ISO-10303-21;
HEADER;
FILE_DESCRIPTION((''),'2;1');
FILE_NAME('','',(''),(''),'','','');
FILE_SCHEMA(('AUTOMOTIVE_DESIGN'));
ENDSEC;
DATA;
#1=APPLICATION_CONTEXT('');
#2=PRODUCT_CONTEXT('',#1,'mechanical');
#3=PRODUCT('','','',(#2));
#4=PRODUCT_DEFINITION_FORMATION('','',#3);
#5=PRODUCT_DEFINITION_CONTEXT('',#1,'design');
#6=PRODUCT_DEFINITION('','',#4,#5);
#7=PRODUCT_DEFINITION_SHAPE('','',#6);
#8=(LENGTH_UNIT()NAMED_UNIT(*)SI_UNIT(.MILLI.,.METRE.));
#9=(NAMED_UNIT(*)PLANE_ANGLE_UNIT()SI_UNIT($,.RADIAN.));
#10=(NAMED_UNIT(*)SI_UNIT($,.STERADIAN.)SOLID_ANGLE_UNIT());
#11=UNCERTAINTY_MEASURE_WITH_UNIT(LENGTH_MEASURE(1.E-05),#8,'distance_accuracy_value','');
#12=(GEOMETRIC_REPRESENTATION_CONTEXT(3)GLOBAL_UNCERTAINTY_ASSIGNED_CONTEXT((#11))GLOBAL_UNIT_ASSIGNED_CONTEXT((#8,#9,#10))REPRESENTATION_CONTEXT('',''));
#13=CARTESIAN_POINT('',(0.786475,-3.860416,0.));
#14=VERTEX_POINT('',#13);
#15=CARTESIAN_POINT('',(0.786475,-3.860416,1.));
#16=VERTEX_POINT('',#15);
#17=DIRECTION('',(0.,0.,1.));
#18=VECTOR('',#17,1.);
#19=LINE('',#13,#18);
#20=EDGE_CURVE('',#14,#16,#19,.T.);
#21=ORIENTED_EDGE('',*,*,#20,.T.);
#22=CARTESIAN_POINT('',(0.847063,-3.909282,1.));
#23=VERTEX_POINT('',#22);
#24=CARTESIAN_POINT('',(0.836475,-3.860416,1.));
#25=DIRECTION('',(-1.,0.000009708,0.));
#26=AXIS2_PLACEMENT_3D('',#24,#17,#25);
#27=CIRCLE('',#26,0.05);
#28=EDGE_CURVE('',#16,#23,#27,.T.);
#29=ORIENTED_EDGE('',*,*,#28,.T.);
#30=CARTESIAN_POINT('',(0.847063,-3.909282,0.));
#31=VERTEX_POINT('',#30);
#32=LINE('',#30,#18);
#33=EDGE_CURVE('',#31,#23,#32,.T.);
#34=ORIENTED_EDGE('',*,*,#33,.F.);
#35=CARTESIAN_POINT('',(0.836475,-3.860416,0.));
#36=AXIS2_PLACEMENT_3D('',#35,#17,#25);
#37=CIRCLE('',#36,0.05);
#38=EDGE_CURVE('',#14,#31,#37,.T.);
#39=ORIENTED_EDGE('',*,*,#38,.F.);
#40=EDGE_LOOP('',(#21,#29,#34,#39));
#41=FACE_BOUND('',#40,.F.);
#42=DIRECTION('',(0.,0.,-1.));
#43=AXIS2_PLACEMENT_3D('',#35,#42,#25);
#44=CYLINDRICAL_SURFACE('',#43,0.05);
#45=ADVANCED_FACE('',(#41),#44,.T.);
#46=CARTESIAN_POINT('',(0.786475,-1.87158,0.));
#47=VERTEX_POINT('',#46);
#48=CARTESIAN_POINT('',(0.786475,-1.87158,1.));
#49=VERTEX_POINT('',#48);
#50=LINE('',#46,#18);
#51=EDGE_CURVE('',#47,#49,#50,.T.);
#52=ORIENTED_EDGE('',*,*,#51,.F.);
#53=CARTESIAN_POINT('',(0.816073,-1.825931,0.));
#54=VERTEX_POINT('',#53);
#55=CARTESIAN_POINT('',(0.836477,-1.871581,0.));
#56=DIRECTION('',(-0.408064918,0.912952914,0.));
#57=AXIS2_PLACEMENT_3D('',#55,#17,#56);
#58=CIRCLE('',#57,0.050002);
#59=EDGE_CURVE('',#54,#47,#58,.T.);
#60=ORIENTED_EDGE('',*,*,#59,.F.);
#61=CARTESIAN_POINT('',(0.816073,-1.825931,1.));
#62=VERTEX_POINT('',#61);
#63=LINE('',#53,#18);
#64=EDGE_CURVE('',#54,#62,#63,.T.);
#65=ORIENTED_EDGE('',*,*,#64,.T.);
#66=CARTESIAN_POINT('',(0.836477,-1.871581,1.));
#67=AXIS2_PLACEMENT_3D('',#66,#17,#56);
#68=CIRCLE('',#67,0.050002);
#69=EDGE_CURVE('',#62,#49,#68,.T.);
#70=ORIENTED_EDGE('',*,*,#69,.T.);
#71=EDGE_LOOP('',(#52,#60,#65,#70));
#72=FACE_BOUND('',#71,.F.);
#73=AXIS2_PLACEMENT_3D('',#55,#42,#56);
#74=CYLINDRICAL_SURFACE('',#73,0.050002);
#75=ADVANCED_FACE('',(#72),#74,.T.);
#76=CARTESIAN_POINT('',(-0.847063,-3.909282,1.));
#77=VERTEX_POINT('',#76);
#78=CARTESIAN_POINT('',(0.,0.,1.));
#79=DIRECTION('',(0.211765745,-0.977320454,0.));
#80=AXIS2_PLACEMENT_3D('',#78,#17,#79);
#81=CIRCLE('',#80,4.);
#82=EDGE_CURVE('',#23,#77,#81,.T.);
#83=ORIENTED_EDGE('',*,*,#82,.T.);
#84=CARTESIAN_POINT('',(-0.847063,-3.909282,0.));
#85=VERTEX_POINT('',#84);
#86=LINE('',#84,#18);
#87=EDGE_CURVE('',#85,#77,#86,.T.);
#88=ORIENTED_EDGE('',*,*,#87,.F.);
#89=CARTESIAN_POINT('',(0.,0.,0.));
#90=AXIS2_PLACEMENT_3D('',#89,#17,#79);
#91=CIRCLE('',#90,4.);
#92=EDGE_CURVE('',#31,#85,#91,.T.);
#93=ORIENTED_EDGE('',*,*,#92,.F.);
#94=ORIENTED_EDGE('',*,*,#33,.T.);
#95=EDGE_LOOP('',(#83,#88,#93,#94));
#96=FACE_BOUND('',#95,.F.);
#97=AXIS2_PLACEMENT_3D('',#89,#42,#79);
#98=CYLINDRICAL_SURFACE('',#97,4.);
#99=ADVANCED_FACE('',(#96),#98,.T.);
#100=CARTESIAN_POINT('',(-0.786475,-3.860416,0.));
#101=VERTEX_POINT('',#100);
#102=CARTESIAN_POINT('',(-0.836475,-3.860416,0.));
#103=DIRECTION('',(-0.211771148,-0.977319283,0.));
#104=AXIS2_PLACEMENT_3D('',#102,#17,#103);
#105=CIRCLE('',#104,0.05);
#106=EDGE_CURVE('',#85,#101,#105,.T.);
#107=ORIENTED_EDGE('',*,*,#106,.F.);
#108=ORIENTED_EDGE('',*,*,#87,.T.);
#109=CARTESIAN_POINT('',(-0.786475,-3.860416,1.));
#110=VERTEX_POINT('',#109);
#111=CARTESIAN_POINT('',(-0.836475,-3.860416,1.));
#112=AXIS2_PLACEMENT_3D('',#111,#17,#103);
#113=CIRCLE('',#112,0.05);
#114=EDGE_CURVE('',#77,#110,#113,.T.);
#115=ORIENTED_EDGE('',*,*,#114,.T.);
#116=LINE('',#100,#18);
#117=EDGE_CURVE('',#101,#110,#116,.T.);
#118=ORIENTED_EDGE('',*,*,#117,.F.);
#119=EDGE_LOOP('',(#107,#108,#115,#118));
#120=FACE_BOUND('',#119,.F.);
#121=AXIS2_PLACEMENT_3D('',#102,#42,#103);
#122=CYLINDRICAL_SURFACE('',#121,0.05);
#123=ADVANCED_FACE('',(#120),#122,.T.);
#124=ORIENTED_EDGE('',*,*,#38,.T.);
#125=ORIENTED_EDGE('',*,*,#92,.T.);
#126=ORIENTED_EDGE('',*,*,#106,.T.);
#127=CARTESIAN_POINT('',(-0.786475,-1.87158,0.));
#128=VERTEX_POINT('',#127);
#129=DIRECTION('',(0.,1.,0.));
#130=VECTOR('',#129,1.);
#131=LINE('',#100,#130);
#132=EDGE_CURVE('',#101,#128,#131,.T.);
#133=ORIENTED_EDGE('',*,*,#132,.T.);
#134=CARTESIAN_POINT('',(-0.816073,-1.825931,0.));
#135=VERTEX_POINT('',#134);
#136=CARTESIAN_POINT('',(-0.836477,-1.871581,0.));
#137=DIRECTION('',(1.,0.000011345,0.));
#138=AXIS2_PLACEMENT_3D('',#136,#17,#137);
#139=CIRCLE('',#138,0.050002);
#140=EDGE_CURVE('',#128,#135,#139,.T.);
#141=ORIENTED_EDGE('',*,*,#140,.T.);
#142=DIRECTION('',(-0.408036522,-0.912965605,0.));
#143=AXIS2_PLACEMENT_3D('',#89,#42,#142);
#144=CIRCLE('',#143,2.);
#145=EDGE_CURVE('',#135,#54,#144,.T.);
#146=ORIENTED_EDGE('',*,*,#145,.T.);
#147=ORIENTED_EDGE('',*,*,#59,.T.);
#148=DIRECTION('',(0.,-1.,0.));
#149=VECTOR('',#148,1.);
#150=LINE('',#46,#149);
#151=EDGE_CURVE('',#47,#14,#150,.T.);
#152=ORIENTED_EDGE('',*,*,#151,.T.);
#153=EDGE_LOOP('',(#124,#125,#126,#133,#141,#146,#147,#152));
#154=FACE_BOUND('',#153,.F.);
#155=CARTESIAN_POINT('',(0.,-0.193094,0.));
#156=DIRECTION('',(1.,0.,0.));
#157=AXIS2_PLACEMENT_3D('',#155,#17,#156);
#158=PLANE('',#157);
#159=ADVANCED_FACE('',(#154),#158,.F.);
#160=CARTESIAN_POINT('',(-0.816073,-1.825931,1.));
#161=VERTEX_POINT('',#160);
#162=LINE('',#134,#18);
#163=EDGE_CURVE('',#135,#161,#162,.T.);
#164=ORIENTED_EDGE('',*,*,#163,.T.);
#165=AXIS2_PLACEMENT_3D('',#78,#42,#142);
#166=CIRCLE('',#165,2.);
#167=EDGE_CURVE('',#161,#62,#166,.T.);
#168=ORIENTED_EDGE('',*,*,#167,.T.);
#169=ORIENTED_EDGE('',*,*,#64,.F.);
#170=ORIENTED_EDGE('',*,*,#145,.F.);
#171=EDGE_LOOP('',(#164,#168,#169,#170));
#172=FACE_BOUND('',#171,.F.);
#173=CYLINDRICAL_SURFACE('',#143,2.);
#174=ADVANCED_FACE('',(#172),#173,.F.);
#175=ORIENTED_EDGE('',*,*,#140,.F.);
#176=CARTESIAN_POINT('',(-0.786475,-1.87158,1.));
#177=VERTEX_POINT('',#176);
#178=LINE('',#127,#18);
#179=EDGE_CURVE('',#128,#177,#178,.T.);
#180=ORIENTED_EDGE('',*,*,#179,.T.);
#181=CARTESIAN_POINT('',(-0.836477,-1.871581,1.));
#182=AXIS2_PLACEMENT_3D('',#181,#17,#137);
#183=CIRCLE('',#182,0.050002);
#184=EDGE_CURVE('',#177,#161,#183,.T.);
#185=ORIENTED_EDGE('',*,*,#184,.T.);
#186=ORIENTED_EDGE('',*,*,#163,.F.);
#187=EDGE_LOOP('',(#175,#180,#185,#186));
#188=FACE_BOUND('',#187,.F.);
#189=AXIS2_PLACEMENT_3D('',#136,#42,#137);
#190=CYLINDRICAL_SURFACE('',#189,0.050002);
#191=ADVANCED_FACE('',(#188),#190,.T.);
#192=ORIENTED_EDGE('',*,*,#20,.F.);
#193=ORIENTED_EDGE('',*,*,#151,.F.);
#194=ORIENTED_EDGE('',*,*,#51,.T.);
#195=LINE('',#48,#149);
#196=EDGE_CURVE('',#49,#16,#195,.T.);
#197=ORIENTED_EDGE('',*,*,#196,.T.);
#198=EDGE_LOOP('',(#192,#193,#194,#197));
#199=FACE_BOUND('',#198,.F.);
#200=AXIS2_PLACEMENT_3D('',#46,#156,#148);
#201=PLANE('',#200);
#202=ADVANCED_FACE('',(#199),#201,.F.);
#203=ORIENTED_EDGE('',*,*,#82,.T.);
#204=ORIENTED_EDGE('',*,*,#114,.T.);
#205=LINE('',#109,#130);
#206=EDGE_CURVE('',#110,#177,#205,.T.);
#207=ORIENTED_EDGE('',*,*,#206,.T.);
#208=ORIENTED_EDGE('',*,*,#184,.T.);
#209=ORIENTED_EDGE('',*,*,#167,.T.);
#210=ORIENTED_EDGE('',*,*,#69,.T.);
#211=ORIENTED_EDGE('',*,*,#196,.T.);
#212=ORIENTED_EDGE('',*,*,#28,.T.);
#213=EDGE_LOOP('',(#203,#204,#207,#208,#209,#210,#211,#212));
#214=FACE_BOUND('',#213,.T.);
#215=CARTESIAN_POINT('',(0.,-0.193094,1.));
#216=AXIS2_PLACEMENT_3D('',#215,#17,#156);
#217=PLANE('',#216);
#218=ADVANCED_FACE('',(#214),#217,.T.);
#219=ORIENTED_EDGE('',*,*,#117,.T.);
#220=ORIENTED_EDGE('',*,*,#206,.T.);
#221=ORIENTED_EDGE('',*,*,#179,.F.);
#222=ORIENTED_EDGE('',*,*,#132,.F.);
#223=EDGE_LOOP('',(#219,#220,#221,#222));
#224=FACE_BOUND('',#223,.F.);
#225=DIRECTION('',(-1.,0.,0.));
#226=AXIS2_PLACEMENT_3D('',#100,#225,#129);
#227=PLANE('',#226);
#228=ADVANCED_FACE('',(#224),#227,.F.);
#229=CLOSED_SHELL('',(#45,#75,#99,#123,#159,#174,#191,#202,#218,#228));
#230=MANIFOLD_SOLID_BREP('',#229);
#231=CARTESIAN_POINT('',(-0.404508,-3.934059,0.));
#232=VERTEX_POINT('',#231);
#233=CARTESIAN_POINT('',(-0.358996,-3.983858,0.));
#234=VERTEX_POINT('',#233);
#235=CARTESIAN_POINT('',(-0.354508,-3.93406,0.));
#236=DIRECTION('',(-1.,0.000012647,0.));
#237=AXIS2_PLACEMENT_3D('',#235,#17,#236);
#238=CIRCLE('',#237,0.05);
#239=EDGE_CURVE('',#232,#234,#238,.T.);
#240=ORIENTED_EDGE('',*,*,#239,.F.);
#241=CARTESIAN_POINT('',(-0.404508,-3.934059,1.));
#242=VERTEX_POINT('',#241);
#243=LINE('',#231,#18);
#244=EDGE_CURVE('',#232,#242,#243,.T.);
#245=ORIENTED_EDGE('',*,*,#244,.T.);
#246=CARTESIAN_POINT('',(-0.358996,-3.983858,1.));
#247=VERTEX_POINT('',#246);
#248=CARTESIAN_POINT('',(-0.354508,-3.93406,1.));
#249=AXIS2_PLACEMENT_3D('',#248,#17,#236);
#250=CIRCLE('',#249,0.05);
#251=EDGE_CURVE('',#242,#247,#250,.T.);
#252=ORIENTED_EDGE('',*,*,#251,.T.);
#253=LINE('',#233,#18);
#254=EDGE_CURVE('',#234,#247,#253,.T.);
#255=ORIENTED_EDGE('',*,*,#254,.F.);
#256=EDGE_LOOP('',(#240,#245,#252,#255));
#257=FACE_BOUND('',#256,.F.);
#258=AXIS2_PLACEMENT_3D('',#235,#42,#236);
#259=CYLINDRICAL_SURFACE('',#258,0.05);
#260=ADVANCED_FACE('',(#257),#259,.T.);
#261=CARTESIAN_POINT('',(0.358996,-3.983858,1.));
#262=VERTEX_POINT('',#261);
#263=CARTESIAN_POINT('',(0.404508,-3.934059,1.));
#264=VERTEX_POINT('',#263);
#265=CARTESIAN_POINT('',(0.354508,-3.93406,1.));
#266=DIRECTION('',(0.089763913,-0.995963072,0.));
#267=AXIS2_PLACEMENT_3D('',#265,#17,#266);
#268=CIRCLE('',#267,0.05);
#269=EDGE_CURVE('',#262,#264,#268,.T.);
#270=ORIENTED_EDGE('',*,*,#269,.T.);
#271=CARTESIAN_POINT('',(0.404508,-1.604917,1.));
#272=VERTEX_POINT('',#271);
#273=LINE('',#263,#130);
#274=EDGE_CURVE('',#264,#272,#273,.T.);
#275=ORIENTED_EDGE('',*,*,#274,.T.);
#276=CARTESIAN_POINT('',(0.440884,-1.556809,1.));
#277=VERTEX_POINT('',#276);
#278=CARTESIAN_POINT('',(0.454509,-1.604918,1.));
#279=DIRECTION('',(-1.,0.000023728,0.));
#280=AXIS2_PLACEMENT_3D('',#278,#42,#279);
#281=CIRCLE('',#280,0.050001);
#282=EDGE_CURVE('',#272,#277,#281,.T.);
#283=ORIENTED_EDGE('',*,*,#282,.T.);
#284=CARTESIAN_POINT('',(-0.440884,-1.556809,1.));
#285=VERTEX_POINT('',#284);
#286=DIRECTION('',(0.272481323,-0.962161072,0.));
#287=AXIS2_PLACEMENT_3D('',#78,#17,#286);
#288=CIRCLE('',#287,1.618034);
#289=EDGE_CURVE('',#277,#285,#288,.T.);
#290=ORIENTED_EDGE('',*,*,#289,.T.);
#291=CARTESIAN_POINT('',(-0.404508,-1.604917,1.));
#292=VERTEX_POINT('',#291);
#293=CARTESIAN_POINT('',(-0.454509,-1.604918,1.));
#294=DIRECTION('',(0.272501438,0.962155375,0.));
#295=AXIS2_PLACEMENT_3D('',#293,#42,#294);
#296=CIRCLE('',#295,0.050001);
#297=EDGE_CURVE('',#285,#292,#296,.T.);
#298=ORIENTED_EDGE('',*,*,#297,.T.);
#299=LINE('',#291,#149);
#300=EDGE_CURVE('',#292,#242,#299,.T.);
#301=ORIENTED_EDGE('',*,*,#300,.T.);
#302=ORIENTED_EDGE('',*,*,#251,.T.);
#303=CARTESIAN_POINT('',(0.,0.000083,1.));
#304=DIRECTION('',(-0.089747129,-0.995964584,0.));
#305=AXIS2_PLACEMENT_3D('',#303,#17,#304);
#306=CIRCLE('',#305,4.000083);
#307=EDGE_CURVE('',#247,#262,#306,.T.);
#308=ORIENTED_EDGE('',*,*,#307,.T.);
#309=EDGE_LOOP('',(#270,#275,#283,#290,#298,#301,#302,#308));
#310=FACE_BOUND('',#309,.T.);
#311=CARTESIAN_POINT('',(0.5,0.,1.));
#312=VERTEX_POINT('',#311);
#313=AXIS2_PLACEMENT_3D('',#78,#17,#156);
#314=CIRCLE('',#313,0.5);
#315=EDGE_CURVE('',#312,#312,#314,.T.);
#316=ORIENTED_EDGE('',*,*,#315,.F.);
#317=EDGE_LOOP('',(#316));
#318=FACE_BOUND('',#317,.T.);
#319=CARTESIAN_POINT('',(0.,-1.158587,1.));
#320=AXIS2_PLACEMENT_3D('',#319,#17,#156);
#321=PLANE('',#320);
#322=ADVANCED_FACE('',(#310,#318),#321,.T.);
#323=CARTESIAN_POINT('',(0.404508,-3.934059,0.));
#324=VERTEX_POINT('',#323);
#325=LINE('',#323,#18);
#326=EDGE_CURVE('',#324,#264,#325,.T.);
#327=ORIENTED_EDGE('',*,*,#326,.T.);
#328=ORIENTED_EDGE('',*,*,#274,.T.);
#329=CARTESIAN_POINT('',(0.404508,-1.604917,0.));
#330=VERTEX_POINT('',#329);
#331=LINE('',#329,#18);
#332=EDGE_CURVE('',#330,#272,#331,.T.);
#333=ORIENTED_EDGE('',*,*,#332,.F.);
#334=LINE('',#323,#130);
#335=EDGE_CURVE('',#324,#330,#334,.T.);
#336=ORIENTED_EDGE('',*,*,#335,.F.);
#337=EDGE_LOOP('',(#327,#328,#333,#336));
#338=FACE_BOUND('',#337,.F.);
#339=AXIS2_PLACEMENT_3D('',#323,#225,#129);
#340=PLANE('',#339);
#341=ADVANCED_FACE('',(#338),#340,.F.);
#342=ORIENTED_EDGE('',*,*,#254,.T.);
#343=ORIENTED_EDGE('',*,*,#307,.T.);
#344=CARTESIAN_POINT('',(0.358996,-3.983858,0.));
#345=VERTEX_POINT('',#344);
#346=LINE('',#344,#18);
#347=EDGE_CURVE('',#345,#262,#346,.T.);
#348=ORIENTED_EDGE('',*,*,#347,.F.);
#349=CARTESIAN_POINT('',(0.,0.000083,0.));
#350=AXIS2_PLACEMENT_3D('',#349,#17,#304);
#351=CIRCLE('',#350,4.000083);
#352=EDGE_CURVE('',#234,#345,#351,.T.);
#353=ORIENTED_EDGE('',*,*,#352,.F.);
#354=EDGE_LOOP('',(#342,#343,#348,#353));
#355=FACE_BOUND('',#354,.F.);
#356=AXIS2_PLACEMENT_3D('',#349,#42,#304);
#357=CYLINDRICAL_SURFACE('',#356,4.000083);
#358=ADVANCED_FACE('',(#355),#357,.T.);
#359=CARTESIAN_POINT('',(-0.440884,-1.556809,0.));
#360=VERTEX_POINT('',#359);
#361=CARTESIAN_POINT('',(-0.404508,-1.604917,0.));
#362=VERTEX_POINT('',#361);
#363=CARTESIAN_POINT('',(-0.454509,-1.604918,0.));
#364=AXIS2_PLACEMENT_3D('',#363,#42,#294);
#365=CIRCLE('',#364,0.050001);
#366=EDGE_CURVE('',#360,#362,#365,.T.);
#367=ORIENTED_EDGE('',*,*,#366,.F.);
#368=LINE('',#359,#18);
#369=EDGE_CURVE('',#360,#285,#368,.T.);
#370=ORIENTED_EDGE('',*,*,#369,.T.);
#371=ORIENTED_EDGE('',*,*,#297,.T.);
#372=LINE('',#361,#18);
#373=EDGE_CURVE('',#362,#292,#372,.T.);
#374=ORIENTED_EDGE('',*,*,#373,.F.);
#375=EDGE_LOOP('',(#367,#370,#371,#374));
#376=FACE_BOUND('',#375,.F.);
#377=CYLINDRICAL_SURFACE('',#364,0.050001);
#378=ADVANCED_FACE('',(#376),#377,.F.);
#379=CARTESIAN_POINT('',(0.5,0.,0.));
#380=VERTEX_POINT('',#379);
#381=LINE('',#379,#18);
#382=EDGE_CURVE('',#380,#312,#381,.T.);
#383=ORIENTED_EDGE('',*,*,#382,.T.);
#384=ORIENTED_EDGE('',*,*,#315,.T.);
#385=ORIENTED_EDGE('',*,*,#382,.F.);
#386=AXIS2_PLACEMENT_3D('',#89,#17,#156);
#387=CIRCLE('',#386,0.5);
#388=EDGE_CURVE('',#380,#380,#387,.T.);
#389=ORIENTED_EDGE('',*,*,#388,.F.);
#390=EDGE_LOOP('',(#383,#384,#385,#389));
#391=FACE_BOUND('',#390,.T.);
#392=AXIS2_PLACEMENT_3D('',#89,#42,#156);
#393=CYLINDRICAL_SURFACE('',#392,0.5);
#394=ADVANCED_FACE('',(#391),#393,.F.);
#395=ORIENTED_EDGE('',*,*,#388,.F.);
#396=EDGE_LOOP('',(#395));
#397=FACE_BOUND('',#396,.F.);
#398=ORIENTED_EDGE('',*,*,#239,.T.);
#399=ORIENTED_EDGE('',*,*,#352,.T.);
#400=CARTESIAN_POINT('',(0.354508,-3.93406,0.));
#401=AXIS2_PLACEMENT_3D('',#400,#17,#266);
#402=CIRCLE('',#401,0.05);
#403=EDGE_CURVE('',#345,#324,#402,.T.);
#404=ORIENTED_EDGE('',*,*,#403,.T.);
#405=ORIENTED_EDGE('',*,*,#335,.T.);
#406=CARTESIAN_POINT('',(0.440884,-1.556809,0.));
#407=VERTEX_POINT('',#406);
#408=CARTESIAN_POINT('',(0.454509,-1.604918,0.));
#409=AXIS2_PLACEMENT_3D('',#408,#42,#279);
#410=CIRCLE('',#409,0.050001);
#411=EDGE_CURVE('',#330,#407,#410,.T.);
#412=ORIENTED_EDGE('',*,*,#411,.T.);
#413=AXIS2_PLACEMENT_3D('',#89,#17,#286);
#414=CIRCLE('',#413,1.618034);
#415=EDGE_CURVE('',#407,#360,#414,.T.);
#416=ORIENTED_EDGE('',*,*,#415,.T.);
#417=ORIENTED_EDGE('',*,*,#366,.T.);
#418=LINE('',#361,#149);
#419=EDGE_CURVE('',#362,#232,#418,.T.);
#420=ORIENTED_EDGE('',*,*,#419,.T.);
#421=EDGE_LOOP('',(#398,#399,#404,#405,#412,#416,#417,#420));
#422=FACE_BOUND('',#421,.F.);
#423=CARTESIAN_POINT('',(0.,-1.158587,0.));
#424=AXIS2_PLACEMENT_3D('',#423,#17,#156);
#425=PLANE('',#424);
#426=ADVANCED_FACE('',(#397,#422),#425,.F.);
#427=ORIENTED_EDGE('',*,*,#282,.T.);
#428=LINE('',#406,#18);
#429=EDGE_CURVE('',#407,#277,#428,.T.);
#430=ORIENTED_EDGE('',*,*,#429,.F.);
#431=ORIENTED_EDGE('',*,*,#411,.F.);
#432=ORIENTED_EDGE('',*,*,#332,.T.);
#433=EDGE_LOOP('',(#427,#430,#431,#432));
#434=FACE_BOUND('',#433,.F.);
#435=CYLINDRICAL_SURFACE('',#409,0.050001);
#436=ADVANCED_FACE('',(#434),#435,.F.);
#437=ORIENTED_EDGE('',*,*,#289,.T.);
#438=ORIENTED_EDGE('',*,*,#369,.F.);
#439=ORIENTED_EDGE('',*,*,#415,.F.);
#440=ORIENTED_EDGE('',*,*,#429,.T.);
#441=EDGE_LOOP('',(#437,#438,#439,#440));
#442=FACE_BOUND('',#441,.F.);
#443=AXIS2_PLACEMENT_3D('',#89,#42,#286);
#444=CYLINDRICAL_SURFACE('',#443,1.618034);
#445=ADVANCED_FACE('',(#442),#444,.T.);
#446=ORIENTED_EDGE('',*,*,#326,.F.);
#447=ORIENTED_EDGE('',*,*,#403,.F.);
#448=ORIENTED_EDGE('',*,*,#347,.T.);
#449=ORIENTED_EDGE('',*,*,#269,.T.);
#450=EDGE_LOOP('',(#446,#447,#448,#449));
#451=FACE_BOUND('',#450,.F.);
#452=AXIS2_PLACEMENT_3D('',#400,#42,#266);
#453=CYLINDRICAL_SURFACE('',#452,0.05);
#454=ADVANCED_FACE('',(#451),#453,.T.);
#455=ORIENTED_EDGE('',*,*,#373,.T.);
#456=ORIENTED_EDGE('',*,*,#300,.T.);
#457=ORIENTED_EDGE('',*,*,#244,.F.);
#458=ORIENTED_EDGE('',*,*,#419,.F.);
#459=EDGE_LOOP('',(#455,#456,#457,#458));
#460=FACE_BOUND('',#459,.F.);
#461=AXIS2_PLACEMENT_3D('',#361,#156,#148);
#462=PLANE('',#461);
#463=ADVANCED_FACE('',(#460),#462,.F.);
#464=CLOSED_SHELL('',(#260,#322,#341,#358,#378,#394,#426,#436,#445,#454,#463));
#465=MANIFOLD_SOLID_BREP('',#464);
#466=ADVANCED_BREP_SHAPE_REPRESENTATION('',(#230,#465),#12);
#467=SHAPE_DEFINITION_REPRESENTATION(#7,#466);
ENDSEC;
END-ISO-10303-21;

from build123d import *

# Parameters (mm, degrees)
F0_R     = 0.5
F1_DEPTH = 1


with BuildPart() as f1:
    # F0 (on Top) → F1 (new body)
    with BuildSketch(Plane.XY):
        with BuildLine():
            ThreePointArc((-0.816073, -1.825931), (0, 2), (0.816073, -1.825931))
            ThreePointArc((0.816073, -1.825931), (0.794522, -1.844378), (0.786475, -1.87158))
            Line((0.786475, -1.87158), (0.786475, -3.860416))
            ThreePointArc((0.786475, -3.860416), (0.805085, -3.899335), (0.847063, -3.909282))
            ThreePointArc((0.847063, -3.909282), (0, 4), (-0.847063, -3.909282))
            ThreePointArc((-0.847063, -3.909282), (-0.805085, -3.899335), (-0.786475, -3.860416))
            Line((-0.786475, -3.860416), (-0.786475, -1.87158))
            ThreePointArc((-0.786475, -1.87158), (-0.794522, -1.844378), (-0.816073, -1.825931))
        make_face()
        with BuildLine():
            ThreePointArc((0.404508, -1.604917), (0.414626, -1.574761), (0.440884, -1.556809))
            ThreePointArc((0.440884, -1.556809), (0, 1.618034), (-0.440884, -1.556809))
            ThreePointArc((-0.440884, -1.556809), (-0.414626, -1.574761), (-0.404508, -1.604917))
            Line((-0.404508, -1.604917), (-0.404508, -3.934059))
            ThreePointArc((-0.404508, -3.934059), (-0.391416, -3.967791), (-0.358996, -3.983858))
            ThreePointArc((-0.358996, -3.983858), (0, -4), (0.358996, -3.983858))
            ThreePointArc((0.358996, -3.983858), (0.391416, -3.967791), (0.404508, -3.934059))
            Line((0.404508, -3.934059), (0.404508, -1.604917))
        make_face()
        Circle(F0_R, mode=Mode.SUBTRACT)
    extrude(amount=F1_DEPTH)


solid = f1.part
